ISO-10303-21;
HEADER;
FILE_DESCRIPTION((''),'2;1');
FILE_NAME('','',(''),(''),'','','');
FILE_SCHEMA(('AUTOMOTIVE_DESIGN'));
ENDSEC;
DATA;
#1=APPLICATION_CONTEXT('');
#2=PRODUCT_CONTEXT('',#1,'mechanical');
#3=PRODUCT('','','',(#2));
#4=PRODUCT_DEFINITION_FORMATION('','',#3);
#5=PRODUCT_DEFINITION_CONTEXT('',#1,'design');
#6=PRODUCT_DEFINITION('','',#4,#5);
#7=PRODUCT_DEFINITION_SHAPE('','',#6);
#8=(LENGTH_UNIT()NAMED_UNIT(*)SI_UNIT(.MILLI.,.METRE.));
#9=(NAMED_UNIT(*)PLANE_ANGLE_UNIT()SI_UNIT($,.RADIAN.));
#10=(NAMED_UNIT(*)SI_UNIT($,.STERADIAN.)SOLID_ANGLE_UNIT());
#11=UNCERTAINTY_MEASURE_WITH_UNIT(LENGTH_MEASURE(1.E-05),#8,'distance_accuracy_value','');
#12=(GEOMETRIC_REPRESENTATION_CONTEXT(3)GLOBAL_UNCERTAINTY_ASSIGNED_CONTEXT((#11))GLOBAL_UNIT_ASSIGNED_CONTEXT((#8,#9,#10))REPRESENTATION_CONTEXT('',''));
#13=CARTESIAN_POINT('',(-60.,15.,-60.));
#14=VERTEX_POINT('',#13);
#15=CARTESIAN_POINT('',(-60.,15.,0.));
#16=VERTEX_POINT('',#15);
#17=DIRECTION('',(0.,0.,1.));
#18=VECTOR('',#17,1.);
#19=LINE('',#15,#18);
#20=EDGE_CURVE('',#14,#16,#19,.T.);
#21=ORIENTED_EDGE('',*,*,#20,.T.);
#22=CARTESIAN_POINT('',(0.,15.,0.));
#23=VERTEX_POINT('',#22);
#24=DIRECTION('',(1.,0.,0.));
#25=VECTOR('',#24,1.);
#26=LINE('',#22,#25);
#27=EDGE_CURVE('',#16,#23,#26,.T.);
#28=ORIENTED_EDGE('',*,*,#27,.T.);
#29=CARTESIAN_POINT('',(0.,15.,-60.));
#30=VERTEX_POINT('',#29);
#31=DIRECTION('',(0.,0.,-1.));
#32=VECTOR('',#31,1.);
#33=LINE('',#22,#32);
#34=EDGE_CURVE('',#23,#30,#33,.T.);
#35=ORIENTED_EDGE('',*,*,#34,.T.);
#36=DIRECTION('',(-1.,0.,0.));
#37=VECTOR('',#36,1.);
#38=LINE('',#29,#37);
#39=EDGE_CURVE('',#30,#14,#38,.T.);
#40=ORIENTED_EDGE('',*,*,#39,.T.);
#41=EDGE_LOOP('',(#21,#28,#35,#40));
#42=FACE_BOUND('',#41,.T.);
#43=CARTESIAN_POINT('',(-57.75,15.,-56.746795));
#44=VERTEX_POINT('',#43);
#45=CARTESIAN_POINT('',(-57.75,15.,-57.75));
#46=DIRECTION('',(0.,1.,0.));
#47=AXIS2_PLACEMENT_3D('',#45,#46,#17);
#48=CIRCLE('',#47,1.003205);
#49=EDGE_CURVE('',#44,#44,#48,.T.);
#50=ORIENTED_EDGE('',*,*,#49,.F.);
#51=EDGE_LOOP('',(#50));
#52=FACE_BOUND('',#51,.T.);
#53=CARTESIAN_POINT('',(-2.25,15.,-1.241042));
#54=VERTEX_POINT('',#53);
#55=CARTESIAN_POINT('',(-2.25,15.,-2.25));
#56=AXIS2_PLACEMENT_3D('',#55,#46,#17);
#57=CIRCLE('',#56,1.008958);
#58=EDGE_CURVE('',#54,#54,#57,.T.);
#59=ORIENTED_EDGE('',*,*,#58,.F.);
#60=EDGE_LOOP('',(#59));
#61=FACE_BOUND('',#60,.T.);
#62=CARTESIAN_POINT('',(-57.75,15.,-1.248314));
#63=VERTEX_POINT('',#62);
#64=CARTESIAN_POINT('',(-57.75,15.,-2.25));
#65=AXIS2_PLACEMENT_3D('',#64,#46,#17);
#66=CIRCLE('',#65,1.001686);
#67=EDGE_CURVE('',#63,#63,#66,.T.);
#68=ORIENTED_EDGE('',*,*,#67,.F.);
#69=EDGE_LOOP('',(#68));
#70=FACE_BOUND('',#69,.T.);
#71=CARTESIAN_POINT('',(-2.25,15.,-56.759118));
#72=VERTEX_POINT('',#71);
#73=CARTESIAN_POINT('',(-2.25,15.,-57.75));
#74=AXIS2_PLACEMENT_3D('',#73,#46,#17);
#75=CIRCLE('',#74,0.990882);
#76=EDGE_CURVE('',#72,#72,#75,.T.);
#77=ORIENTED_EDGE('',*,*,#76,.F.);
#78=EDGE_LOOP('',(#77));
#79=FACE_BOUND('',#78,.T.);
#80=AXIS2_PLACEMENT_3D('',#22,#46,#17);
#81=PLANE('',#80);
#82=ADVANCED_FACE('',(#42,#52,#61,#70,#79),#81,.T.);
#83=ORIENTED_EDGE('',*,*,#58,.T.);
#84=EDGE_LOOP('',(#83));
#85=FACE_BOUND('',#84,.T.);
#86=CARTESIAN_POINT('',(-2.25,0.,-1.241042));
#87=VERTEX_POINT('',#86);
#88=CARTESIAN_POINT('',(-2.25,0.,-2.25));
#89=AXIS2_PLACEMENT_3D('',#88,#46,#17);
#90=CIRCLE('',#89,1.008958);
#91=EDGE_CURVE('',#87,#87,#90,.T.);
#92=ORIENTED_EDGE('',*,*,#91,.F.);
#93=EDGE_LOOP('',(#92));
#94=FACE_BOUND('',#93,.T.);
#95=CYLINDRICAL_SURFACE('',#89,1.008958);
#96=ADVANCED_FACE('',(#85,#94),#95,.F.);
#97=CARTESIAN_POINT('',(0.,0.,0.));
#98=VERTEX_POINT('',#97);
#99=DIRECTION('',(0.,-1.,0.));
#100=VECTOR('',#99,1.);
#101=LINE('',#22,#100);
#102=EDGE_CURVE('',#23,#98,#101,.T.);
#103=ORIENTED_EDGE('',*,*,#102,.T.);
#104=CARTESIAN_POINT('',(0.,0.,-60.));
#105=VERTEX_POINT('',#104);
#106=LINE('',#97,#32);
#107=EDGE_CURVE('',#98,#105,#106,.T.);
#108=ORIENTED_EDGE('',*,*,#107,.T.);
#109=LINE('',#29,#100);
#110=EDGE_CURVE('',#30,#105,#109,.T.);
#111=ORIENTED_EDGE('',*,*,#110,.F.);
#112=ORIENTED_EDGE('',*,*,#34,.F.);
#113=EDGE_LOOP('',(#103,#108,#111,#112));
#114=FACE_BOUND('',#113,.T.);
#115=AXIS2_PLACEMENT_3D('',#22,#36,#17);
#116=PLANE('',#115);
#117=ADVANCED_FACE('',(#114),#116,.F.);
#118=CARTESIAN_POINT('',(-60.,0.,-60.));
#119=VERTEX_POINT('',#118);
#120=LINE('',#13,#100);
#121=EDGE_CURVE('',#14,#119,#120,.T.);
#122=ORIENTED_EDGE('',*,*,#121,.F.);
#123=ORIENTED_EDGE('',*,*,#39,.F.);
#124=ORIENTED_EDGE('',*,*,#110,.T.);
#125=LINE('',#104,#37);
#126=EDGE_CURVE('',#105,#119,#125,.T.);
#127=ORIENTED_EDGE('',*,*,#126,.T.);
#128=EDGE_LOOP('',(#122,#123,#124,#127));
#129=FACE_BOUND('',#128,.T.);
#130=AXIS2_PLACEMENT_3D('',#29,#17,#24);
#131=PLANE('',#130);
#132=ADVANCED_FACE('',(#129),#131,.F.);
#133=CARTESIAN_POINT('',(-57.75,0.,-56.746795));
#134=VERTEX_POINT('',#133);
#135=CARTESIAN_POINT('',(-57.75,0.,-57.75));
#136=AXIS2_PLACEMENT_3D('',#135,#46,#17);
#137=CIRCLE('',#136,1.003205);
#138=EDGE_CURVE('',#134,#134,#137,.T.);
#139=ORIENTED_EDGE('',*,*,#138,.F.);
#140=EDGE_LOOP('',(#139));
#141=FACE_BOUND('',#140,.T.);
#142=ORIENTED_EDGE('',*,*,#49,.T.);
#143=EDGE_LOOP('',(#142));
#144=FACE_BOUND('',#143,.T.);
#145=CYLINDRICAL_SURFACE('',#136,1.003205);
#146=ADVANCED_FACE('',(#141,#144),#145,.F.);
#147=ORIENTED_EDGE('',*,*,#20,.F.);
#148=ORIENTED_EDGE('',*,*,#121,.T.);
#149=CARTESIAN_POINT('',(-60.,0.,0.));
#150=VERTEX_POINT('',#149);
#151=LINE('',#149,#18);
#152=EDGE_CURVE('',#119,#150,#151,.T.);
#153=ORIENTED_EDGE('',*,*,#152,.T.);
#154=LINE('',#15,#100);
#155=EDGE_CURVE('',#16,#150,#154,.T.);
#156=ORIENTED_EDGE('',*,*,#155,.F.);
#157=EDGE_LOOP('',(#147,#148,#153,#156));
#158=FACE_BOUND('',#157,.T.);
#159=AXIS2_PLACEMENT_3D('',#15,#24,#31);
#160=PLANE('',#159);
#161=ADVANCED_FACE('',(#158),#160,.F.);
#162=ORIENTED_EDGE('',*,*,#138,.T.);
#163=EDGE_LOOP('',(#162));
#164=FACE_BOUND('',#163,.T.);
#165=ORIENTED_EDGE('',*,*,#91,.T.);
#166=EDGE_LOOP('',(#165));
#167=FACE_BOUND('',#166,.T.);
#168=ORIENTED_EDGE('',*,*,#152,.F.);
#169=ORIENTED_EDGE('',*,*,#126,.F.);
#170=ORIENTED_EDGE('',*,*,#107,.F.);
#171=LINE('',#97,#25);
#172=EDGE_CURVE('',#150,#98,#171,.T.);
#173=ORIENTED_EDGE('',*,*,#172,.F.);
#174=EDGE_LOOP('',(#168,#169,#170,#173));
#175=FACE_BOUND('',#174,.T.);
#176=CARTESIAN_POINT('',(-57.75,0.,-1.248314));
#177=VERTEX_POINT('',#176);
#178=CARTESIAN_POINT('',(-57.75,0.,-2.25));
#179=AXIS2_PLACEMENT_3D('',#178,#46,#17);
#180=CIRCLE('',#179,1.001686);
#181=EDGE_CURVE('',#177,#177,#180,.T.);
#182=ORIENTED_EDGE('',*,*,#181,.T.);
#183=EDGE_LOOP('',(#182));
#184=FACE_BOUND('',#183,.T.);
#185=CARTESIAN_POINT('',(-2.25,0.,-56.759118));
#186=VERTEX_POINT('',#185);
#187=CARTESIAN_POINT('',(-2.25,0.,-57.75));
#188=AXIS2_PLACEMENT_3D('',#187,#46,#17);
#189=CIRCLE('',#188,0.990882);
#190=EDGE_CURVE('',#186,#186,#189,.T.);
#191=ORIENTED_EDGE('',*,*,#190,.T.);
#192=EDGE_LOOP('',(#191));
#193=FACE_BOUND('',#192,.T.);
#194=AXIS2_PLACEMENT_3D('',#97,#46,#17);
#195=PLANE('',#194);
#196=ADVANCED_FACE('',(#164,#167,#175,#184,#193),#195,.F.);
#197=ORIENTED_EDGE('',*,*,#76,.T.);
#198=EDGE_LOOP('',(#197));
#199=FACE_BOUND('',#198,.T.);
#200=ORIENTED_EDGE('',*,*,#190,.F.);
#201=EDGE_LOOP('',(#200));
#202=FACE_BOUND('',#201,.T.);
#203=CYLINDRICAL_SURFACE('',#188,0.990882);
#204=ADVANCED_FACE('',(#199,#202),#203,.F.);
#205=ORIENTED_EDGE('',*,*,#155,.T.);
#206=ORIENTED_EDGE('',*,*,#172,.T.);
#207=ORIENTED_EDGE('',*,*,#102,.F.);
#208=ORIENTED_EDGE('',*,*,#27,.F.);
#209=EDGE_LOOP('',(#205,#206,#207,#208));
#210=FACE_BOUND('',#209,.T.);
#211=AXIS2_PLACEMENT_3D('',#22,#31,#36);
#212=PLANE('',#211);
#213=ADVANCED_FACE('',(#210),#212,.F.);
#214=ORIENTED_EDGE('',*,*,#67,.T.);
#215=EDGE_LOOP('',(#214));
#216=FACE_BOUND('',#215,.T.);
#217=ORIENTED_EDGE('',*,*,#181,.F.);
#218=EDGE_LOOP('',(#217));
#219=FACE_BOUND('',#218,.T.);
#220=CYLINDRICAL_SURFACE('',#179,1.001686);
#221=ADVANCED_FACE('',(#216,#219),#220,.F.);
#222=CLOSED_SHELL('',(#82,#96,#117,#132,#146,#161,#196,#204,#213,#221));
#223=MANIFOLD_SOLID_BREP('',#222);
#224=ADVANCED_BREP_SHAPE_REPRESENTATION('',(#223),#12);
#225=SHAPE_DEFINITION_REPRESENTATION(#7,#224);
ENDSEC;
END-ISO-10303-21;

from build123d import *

# Parameters (mm, degrees)
SKETCH1_W           = 60
SKETCH1_H           = 60
BOSS_EXTRUDE1_DEPTH = 15
SKETCH3_R           = 1.001686447
SKETCH3_R_2         = 1.003205363
SKETCH3_R_3         = 0.990882211
SKETCH3_R_4         = 1.00895845
CUT_EXTRUDE1_DEPTH  = 87.168439698


with BuildPart() as part:
    # Sketch1 → Boss-Extrude1 (new body)
    with BuildSketch(Plane(origin=(0, 0, 0), x_dir=(1, 0, 0), z_dir=(0, 1, 0))):
        with Locations((-30, 30)):
            Rectangle(SKETCH1_W, SKETCH1_H)
    extrude(amount=BOSS_EXTRUDE1_DEPTH)

    # Sketch3 → Cut-Extrude1 (cut, through all)
    with BuildSketch(Plane(origin=(0, 15, 0), x_dir=(1, 0, 0), z_dir=(0, 1, 0))):
        with Locations(Location((-57.75, 2.25, 0), (0, 0, 270))):
            Circle(SKETCH3_R)
        with Locations(Location((-57.75, 57.75, 0), (0, 0, 270))):
            Circle(SKETCH3_R_2)
        with Locations(Location((-2.25, 57.75, 0), (0, 0, 270))):
            Circle(SKETCH3_R_3)
        with Locations(Location((-2.25, 2.25, 0), (0, 0, 270))):
            Circle(SKETCH3_R_4)
    extrude(amount=-CUT_EXTRUDE1_DEPTH, mode=Mode.SUBTRACT)


solid = part.part
